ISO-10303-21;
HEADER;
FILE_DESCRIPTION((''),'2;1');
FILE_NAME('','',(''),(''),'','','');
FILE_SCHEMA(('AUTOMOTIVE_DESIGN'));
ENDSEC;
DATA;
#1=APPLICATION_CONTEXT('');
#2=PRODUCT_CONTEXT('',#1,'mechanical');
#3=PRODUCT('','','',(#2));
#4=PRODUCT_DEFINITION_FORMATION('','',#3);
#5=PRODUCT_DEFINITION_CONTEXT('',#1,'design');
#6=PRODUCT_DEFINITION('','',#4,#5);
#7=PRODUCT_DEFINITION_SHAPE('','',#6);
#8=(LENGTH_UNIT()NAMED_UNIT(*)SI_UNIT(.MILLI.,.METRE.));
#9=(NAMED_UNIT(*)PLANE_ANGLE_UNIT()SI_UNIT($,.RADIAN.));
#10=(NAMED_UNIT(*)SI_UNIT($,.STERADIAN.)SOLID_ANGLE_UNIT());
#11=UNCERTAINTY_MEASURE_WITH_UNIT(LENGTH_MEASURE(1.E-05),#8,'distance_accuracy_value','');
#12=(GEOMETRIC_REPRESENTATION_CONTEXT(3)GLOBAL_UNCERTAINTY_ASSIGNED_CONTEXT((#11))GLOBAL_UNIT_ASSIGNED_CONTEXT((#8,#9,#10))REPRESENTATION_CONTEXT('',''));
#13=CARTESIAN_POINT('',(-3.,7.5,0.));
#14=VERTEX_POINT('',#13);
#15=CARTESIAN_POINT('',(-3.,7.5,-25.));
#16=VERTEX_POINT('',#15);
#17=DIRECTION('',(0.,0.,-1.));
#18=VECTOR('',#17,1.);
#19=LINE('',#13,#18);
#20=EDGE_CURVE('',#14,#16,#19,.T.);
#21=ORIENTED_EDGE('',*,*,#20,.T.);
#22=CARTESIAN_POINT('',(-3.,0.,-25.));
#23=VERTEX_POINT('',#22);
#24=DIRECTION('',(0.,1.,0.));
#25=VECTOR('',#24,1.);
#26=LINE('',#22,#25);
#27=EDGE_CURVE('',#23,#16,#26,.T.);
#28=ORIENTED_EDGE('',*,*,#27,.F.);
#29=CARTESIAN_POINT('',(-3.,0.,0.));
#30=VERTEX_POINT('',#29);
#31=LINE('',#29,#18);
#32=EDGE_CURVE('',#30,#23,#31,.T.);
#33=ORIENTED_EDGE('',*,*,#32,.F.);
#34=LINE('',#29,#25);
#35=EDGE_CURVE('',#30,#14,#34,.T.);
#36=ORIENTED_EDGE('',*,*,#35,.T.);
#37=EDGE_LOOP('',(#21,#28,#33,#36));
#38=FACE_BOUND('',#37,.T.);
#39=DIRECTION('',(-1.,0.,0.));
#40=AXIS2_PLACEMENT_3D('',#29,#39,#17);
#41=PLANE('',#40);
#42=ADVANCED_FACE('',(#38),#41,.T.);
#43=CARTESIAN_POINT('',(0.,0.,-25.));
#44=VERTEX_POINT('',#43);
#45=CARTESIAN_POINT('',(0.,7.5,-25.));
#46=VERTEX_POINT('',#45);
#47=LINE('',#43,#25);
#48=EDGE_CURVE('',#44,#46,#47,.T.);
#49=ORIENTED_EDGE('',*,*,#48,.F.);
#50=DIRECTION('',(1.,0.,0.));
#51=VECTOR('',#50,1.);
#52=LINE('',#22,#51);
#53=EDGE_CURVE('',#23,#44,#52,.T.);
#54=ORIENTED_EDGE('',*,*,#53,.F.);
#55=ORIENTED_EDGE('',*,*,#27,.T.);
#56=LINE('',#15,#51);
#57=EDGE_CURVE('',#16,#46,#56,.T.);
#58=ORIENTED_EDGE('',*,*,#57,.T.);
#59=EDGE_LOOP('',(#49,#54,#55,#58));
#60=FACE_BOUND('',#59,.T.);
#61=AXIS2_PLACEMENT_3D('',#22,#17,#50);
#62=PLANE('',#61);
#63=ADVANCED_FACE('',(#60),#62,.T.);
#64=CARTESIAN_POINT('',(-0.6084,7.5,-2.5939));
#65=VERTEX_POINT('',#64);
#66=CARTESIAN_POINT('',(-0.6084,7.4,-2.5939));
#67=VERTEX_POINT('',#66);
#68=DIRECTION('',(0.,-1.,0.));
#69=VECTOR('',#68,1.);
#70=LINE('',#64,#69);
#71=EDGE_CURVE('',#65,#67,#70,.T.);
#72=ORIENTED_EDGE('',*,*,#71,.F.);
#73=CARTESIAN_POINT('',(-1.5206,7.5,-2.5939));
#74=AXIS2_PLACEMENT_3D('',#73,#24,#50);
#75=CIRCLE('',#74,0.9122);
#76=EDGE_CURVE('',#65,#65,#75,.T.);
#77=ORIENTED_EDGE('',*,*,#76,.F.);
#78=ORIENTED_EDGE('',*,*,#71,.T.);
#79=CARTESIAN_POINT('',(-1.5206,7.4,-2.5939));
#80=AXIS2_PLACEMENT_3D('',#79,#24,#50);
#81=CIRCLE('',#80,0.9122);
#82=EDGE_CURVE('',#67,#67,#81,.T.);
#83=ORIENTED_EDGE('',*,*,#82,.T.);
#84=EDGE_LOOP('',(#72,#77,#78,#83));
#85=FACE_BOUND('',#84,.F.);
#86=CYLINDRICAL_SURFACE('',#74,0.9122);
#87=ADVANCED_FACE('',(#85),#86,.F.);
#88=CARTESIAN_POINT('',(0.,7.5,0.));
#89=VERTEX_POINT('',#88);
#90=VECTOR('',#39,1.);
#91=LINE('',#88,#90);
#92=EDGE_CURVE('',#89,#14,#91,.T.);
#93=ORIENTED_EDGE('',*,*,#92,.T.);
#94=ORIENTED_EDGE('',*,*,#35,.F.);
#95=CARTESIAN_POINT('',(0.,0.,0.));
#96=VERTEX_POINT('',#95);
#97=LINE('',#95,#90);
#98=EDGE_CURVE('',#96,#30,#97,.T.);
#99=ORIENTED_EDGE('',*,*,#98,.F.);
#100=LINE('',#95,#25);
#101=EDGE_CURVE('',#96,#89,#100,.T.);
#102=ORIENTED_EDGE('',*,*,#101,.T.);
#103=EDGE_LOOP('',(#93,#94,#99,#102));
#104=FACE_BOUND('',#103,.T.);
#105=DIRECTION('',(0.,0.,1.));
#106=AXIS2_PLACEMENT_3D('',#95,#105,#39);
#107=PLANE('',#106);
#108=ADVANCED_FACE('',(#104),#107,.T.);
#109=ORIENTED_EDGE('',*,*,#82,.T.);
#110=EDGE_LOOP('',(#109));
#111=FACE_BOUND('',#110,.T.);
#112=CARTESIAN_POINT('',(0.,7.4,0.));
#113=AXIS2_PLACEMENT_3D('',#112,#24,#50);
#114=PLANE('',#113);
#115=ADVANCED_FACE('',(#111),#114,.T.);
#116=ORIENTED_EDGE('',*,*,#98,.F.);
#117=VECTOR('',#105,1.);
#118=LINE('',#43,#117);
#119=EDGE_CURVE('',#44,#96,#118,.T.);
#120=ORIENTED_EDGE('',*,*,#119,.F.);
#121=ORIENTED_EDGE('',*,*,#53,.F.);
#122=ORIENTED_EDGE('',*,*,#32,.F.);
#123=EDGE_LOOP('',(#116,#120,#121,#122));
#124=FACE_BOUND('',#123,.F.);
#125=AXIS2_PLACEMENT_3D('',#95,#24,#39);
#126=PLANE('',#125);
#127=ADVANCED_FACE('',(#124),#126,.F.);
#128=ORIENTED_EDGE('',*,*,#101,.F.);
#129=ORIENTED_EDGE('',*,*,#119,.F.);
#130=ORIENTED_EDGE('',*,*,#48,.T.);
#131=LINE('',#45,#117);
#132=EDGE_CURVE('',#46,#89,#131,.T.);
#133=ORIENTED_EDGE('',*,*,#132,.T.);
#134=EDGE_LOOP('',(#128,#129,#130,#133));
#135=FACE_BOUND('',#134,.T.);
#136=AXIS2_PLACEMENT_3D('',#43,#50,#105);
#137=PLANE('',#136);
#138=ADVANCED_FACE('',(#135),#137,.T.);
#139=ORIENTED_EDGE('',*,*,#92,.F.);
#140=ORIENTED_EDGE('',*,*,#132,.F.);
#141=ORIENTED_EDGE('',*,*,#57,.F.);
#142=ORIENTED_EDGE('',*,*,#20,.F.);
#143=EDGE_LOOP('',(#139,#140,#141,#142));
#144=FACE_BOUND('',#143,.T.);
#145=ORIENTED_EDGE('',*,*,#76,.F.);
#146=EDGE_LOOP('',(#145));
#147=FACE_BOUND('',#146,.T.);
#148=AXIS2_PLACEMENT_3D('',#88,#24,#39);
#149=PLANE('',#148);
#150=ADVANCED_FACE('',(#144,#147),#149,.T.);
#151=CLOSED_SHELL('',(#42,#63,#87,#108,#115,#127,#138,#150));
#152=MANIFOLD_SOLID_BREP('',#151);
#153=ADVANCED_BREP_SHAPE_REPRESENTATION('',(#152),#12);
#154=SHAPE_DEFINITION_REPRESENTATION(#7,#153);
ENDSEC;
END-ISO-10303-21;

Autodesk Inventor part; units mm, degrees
ref_plane "YZ Plane" through (0, 0, 0) normal (1, 0, 0) x (0, 1, 0)
ref_plane "XZ Plane" through (0, 0, 0) normal (0, 1, 0) x (-1, 0, 0)
ref_plane "XY Plane" through (0, 0, 0) normal (0, 0, 1) x (1, 0, 0)
sketch "Sketch1" plane through (0, 0, 0) normal (0, 1, 0) x (-1, 0, 0)
  line L0 (0, 0) -> (3, 0)
  line L1 (3, 0) -> (3, -25)
  line L2 (3, -25) -> (0, -25)
  line L3 (0, -25) -> (0, 0)
  dimension "d0" = 3
  dimension "d1" = 25
extrude "Extrusion1" add sketch "Sketch1" along normal blind 7.5
sketch "Sketch2" plane through (0, 7.5, 0) normal (0, 1, 0) x (1, 0, 0)
  circle A0 centre (-1.5206, 2.5939) radius 0.9122
  point P0 (0, 0)
extrude "Extrusion2" cut sketch "Sketch2" against normal blind 0.1
properties part number "backfrontmotorwall"
